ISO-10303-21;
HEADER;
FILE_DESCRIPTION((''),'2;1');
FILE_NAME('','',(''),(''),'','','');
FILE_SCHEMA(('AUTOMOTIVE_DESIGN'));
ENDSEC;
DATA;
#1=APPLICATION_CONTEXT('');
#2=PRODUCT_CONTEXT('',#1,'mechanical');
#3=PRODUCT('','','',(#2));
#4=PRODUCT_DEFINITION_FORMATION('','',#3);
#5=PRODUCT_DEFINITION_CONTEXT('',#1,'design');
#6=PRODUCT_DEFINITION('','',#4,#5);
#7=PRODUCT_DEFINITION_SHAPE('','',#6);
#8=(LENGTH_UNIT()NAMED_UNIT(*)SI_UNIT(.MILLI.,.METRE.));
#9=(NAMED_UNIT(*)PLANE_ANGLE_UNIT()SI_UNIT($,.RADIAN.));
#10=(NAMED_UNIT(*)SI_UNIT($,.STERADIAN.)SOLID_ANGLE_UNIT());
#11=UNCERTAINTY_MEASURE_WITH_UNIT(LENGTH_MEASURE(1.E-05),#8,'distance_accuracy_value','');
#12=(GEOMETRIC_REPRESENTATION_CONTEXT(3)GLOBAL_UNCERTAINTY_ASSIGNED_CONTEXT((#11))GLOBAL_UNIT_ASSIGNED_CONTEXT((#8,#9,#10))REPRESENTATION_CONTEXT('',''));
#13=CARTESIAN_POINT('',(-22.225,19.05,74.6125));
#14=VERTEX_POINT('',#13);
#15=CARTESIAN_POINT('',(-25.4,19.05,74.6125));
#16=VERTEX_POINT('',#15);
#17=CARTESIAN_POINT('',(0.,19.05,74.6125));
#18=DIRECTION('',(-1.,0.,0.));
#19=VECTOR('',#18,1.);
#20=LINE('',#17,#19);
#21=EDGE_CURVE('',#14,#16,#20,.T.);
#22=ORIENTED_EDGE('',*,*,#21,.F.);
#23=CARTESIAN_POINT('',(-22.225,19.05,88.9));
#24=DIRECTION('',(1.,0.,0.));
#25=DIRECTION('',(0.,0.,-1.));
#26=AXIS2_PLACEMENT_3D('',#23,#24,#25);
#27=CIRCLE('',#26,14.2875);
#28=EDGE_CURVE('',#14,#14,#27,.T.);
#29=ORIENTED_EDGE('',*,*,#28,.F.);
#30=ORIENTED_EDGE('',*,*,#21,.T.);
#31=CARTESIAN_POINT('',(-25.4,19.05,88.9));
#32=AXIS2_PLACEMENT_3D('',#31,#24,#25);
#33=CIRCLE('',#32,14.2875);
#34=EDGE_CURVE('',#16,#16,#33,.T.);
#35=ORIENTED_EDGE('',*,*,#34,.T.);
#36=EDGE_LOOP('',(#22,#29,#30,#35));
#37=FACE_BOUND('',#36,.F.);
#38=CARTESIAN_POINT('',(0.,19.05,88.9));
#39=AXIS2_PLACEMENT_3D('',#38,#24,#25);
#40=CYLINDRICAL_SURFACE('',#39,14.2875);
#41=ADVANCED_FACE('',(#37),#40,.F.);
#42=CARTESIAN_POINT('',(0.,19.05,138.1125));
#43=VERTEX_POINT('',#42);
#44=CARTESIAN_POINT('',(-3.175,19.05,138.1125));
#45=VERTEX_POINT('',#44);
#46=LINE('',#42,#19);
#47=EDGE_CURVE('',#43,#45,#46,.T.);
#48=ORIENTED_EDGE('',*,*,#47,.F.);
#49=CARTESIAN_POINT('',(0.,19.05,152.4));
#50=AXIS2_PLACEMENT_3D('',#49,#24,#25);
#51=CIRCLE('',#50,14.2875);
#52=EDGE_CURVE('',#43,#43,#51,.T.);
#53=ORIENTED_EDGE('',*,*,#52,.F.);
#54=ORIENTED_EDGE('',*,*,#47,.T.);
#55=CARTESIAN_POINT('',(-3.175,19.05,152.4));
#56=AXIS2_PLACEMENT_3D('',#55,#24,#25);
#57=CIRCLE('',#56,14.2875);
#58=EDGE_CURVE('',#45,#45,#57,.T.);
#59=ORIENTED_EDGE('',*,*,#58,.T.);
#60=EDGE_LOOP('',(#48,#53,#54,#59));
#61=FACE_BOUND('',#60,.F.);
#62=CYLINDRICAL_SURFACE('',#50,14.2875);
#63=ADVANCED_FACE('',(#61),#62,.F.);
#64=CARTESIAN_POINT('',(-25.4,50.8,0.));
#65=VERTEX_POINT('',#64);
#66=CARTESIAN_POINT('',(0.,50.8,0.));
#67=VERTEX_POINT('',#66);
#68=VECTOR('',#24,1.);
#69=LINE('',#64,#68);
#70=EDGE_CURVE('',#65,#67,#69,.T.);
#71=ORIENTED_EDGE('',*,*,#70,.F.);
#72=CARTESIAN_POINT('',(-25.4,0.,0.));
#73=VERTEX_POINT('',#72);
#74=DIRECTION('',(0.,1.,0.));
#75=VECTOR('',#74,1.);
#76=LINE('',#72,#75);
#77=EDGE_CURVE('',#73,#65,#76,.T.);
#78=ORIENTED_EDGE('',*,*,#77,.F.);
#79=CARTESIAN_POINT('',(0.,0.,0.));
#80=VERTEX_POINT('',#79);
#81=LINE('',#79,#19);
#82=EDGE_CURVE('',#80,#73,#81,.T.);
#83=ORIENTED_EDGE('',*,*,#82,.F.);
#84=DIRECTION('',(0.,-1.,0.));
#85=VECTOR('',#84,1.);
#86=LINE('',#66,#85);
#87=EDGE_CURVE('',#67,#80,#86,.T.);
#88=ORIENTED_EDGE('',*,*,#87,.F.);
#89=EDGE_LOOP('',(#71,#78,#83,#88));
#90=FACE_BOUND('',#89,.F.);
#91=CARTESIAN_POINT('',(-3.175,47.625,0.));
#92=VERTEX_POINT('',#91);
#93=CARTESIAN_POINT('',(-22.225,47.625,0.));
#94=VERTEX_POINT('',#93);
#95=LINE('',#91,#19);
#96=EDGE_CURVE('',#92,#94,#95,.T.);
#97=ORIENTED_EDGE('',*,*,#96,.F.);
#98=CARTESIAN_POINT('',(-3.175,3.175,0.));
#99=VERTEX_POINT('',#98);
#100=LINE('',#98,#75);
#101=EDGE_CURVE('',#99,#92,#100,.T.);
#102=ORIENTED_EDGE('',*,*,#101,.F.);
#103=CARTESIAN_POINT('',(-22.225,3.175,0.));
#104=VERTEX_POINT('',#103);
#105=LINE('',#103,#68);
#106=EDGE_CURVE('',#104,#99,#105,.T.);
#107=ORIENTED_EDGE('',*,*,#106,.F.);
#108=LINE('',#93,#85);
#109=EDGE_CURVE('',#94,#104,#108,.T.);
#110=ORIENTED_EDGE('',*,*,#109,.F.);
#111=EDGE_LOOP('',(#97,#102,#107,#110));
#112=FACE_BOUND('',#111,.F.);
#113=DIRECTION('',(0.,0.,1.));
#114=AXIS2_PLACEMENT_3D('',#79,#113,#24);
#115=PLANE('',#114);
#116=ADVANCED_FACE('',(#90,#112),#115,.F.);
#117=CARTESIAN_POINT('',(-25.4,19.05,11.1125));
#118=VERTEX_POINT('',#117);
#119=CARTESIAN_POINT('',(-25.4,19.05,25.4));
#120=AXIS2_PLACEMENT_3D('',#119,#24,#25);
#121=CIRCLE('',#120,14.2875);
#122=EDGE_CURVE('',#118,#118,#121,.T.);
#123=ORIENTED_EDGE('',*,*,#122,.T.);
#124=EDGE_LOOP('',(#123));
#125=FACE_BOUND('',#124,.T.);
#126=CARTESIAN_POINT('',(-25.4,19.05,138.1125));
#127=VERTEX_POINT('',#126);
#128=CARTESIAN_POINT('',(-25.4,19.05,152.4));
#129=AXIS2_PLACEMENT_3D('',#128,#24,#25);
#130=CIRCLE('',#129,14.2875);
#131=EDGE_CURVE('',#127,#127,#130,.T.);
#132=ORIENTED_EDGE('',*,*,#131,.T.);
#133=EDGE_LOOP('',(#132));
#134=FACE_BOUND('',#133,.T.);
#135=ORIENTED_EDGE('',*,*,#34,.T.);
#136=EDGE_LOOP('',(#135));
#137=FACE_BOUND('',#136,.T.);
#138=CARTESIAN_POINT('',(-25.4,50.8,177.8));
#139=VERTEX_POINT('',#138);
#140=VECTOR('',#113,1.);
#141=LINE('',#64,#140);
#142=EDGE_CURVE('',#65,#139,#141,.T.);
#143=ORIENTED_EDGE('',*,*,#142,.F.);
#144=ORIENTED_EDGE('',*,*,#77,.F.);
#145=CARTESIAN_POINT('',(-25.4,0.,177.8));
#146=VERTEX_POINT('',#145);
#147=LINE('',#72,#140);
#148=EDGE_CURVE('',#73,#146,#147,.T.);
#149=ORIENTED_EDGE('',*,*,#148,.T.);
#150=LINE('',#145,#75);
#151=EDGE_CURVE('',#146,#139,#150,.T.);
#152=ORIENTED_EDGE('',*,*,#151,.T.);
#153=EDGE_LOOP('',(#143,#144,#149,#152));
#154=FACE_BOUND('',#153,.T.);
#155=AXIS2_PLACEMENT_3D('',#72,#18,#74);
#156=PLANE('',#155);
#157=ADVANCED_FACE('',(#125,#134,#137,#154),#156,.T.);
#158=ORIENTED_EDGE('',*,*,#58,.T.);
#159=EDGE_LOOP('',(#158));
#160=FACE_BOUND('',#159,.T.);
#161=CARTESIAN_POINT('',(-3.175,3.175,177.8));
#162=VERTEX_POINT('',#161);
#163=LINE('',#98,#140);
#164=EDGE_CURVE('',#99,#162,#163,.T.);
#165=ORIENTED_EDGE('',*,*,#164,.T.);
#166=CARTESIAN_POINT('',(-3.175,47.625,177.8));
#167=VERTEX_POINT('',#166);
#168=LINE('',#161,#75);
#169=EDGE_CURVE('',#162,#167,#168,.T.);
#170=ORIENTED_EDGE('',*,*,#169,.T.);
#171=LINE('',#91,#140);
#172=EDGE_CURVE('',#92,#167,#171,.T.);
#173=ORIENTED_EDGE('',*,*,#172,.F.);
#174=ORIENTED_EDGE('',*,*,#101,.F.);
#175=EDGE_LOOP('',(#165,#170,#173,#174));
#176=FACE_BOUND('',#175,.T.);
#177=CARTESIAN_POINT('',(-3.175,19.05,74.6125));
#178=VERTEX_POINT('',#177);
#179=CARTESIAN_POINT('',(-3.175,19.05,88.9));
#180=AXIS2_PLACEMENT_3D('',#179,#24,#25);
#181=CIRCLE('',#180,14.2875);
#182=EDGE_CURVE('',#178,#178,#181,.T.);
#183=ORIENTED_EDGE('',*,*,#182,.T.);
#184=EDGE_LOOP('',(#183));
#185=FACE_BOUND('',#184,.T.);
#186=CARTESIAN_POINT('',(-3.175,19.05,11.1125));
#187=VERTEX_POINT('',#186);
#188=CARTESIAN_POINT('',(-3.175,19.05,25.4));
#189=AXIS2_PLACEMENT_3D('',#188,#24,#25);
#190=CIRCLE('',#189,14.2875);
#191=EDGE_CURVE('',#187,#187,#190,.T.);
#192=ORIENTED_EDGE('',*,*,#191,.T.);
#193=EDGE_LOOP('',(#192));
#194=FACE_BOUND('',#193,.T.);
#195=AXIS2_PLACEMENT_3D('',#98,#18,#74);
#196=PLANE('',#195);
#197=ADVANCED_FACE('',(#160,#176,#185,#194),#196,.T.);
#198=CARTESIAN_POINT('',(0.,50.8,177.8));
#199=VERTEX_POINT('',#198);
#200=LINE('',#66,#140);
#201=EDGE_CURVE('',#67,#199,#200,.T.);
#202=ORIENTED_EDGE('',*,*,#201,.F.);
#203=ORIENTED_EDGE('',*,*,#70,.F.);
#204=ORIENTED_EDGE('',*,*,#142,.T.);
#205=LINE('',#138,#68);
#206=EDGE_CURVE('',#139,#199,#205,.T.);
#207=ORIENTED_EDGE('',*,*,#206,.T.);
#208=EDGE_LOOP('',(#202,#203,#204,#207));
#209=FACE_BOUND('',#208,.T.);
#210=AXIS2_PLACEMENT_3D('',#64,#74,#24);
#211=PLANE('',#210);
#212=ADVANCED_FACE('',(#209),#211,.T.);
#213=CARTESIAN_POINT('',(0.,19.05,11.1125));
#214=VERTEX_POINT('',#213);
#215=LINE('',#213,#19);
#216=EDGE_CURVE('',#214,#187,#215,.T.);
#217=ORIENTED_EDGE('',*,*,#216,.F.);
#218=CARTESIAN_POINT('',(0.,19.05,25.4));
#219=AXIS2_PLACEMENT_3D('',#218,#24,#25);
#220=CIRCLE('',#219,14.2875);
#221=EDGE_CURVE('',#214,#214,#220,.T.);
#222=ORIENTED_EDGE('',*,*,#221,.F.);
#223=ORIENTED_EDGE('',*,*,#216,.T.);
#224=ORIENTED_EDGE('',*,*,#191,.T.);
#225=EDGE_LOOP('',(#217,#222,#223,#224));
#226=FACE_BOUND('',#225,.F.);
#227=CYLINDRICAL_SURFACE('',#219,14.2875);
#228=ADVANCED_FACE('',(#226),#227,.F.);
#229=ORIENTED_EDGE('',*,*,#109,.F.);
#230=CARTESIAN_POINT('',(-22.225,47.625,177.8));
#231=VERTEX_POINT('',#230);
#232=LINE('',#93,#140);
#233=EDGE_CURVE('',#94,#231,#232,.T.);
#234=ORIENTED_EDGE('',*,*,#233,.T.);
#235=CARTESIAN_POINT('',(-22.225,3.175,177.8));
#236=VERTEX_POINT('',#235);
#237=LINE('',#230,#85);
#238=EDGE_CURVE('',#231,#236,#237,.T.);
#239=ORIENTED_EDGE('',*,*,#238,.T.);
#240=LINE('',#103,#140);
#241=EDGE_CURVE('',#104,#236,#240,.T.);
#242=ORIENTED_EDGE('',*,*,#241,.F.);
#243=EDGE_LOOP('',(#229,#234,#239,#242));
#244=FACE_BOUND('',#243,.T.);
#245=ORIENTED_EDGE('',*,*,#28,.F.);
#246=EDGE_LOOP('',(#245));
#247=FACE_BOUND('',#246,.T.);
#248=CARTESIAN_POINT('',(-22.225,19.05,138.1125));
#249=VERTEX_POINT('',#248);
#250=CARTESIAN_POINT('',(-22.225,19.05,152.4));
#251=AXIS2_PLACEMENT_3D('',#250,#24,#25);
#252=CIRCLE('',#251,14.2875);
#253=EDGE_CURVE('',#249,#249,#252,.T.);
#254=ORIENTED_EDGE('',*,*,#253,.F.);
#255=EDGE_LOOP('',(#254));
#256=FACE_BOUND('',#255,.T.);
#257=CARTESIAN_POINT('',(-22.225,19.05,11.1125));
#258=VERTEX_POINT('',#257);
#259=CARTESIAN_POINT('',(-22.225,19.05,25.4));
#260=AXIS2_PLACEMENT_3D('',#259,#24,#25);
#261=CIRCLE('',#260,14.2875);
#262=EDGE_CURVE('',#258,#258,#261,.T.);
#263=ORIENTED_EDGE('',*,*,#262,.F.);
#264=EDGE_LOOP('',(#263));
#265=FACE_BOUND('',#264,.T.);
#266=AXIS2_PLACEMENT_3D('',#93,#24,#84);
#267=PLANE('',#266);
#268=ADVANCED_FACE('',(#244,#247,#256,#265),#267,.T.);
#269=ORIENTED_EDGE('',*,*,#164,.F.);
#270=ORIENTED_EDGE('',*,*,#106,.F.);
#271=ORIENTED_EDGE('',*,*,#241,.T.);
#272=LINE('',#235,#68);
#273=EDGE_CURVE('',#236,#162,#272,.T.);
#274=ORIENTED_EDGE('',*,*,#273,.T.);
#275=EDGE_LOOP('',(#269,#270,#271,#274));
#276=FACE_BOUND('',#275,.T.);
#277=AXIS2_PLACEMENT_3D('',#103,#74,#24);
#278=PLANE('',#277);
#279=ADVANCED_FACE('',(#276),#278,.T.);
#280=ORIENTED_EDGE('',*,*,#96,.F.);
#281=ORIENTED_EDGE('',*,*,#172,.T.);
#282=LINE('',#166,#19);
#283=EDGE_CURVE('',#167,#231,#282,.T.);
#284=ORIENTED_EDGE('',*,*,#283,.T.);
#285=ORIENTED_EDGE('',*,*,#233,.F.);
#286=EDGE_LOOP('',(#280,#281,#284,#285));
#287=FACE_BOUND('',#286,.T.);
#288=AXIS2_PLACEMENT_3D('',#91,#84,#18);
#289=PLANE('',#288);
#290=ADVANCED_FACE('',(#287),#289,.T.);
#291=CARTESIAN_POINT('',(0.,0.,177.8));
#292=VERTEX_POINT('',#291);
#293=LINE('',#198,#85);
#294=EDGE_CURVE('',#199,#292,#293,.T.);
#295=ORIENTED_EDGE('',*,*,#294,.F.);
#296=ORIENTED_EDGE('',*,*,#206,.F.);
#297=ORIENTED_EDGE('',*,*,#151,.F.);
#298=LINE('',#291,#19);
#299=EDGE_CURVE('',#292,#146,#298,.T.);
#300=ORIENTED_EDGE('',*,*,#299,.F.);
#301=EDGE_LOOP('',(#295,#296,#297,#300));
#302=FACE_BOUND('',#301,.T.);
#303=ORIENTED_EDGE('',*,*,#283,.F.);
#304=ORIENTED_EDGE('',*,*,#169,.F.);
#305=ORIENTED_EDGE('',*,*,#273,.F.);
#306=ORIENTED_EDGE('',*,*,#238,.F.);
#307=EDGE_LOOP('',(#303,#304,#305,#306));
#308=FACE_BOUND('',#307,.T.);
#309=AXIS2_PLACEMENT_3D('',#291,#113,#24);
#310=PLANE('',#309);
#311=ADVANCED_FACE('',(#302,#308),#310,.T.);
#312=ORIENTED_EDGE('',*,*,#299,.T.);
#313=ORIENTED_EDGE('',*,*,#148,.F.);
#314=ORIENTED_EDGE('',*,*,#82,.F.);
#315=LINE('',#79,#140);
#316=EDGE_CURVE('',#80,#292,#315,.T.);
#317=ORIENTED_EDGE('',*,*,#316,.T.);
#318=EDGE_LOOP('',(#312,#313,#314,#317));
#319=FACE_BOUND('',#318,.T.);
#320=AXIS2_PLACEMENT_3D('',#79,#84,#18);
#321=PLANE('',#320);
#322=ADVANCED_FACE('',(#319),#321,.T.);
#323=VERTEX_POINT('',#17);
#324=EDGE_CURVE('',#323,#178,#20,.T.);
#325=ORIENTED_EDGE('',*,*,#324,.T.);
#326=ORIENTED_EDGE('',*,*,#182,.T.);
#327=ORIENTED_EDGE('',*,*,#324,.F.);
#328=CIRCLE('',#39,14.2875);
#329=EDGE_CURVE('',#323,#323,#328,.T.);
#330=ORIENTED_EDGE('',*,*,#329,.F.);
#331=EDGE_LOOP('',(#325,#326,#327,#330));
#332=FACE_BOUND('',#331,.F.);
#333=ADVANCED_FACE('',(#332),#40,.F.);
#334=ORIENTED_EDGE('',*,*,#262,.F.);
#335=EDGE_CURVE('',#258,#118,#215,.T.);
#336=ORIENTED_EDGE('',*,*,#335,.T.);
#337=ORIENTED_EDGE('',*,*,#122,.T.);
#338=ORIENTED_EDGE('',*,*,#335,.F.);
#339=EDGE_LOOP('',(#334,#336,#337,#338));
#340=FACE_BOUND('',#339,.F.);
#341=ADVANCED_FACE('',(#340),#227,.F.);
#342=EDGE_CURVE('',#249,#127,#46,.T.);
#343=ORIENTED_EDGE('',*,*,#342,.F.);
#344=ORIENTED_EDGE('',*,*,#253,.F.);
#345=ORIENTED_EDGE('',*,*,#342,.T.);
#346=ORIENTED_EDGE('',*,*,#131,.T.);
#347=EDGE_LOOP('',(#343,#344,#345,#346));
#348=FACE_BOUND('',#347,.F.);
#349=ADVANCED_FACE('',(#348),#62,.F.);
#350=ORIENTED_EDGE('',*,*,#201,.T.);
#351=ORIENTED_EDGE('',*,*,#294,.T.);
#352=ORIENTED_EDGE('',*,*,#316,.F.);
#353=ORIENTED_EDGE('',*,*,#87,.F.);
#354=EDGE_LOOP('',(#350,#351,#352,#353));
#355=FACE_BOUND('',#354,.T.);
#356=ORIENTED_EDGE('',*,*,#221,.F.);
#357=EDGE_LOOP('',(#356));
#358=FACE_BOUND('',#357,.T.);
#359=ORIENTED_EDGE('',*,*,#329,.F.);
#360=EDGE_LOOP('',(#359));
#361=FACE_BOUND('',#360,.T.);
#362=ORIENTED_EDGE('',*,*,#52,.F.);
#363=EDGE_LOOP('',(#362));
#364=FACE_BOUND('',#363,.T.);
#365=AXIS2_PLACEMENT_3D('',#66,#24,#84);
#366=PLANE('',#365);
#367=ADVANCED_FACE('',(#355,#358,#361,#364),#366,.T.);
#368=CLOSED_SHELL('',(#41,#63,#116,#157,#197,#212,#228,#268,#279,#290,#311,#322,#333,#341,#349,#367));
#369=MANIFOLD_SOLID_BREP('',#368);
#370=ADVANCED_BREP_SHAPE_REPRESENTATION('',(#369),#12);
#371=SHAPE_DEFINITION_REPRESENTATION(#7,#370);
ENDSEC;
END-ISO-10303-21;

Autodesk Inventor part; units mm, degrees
ref_plane "YZ Plane" through (0, 0, 0) normal (1, 0, 0) x (0, 1, 0)
ref_plane "XZ Plane" through (0, 0, 0) normal (0, 1, 0) x (-1, 0, 0)
ref_plane "XY Plane" through (0, 0, 0) normal (0, 0, 1) x (1, 0, 0)
sketch "Sketch1" plane through (0, 0, 0) normal (0, 0, 1) x (1, 0, 0)
  line L0 (0, 0) -> (-25.4, 0)
  line L1 (-25.4, 0) -> (-25.4, 50.8)
  line L2 (-25.4, 50.8) -> (0, 50.8)
  line L3 (0, 50.8) -> (0, 0)
  line L4 (-22.225, 3.175) -> (-3.175, 3.175)
  line L5 (-3.175, 3.175) -> (-3.175, 47.625)
  line L6 (-3.175, 47.625) -> (-22.225, 47.625)
  line L7 (-22.225, 47.625) -> (-22.225, 3.175)
  dimension "d0" = 25.4
  dimension "d1" = 50.8
  dimension "d2" = 3.175
extrude "Extrusion1" add sketch "Sketch1" along normal blind 177.8
sketch "Sketch2" plane through (0, 0, 0) normal (1, 0, 0) x (0, 0, -1)
  circle A0 centre (-152.4, 19.05) radius 14.2875
  circle A1 centre (-25.4, 19.05) radius 14.2875
  circle A2 centre (-88.9, 19.05) radius 14.2875
  line L0 (-177.8, 0) -> (-177.8, 50.8) projected
  line L1 (0, 50.8) -> (0, 0) projected
  line L2 (0, 50.8) -> (-177.8, 50.8) projected
  line L3 (0, 0) -> (-177.8, 0) projected
  dimension "d5" = 28.575
  dimension "d6" = 28.575
  dimension "d7" = 28.575
  dimension "d8" = 25.4
  dimension "d9" = 25.4
  dimension "d10" = 31.75
  dimension "d11" = 31.75
  dimension "d12" = 19.05
  dimension "a" = 63.5
  dimension "d14" = 63.5
extrude "Extrusion2" cut sketch "Sketch2" against normal blind 209.3722 contours A0 | A1 | A2
properties part number "Clamp Arms"
